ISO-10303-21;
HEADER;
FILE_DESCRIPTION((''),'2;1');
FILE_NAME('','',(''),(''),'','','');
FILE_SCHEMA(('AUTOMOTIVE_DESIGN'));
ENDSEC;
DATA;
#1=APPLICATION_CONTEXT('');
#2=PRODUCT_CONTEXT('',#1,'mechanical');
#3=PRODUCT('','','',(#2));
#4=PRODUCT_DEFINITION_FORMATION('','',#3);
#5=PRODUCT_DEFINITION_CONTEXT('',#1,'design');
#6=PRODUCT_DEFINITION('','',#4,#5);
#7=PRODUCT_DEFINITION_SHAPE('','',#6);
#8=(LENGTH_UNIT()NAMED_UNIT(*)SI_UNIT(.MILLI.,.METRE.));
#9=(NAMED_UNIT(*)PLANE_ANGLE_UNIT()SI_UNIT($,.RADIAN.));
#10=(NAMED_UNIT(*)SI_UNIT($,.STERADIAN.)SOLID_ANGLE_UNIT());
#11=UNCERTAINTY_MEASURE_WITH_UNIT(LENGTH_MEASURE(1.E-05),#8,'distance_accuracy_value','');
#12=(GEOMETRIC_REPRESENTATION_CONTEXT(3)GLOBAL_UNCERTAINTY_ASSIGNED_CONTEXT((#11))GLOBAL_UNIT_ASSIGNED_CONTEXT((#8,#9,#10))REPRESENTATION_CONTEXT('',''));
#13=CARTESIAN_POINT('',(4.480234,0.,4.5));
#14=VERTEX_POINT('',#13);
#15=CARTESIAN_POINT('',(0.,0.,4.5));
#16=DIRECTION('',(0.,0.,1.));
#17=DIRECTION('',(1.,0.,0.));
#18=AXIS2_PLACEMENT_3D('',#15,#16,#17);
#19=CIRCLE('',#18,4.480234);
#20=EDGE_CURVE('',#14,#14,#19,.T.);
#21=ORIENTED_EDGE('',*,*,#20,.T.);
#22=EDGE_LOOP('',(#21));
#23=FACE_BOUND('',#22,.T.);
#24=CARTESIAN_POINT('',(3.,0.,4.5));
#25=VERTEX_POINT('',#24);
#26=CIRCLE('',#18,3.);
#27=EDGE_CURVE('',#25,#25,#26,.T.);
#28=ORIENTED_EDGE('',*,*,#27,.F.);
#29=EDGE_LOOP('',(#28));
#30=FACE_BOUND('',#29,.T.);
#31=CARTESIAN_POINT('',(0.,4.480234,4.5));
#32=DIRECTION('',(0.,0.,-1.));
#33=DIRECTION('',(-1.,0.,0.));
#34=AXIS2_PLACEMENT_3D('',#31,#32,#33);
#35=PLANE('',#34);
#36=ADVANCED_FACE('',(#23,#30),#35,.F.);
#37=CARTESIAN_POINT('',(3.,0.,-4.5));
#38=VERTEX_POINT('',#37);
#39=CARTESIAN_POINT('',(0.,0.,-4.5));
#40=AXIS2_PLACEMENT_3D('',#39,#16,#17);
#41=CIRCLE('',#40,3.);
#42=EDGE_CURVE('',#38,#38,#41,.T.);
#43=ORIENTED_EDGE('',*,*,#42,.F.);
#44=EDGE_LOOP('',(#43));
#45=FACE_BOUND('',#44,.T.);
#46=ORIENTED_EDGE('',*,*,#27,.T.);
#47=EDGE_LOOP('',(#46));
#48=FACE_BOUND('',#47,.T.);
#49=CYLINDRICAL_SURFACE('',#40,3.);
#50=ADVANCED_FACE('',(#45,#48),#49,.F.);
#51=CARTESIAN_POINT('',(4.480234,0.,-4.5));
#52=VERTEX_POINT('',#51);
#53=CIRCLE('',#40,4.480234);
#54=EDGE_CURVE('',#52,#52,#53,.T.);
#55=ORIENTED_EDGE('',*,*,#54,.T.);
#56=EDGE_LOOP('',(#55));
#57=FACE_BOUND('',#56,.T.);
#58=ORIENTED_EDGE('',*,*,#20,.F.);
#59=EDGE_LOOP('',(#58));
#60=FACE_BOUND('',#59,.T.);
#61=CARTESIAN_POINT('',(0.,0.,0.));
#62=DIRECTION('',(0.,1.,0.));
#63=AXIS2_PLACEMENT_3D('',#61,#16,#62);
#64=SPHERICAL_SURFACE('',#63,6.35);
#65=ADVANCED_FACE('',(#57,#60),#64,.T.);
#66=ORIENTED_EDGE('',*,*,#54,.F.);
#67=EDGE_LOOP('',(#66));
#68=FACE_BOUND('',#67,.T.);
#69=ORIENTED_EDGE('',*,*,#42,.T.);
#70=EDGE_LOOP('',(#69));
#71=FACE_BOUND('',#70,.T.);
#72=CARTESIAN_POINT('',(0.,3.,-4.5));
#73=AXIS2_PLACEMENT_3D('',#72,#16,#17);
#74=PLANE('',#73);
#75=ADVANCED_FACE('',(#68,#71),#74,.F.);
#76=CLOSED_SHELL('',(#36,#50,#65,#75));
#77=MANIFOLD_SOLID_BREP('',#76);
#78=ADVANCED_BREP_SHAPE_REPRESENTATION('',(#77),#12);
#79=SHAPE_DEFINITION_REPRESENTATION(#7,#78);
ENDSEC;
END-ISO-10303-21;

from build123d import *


with BuildPart() as part:
    # Sketch1 → Revolve1 (revolve)
    with BuildSketch(Plane(origin=(0, 0, 0), x_dir=(0, 0, -1), z_dir=(1, 0, 0))):
        with BuildLine():
            Line((-4.5, 3), (4.5, 3))
            Line((4.5, 3), (4.5, 4.480234369))
            ThreePointArc((4.5, 4.480234369), (0, 6.35), (-4.5, 4.480234369))
            Line((-4.5, 4.480234369), (-4.5, 3))
        make_face()
    revolve(axis=Axis((0, 0, -4.5), (0, 0, 1)))


solid = part.part
